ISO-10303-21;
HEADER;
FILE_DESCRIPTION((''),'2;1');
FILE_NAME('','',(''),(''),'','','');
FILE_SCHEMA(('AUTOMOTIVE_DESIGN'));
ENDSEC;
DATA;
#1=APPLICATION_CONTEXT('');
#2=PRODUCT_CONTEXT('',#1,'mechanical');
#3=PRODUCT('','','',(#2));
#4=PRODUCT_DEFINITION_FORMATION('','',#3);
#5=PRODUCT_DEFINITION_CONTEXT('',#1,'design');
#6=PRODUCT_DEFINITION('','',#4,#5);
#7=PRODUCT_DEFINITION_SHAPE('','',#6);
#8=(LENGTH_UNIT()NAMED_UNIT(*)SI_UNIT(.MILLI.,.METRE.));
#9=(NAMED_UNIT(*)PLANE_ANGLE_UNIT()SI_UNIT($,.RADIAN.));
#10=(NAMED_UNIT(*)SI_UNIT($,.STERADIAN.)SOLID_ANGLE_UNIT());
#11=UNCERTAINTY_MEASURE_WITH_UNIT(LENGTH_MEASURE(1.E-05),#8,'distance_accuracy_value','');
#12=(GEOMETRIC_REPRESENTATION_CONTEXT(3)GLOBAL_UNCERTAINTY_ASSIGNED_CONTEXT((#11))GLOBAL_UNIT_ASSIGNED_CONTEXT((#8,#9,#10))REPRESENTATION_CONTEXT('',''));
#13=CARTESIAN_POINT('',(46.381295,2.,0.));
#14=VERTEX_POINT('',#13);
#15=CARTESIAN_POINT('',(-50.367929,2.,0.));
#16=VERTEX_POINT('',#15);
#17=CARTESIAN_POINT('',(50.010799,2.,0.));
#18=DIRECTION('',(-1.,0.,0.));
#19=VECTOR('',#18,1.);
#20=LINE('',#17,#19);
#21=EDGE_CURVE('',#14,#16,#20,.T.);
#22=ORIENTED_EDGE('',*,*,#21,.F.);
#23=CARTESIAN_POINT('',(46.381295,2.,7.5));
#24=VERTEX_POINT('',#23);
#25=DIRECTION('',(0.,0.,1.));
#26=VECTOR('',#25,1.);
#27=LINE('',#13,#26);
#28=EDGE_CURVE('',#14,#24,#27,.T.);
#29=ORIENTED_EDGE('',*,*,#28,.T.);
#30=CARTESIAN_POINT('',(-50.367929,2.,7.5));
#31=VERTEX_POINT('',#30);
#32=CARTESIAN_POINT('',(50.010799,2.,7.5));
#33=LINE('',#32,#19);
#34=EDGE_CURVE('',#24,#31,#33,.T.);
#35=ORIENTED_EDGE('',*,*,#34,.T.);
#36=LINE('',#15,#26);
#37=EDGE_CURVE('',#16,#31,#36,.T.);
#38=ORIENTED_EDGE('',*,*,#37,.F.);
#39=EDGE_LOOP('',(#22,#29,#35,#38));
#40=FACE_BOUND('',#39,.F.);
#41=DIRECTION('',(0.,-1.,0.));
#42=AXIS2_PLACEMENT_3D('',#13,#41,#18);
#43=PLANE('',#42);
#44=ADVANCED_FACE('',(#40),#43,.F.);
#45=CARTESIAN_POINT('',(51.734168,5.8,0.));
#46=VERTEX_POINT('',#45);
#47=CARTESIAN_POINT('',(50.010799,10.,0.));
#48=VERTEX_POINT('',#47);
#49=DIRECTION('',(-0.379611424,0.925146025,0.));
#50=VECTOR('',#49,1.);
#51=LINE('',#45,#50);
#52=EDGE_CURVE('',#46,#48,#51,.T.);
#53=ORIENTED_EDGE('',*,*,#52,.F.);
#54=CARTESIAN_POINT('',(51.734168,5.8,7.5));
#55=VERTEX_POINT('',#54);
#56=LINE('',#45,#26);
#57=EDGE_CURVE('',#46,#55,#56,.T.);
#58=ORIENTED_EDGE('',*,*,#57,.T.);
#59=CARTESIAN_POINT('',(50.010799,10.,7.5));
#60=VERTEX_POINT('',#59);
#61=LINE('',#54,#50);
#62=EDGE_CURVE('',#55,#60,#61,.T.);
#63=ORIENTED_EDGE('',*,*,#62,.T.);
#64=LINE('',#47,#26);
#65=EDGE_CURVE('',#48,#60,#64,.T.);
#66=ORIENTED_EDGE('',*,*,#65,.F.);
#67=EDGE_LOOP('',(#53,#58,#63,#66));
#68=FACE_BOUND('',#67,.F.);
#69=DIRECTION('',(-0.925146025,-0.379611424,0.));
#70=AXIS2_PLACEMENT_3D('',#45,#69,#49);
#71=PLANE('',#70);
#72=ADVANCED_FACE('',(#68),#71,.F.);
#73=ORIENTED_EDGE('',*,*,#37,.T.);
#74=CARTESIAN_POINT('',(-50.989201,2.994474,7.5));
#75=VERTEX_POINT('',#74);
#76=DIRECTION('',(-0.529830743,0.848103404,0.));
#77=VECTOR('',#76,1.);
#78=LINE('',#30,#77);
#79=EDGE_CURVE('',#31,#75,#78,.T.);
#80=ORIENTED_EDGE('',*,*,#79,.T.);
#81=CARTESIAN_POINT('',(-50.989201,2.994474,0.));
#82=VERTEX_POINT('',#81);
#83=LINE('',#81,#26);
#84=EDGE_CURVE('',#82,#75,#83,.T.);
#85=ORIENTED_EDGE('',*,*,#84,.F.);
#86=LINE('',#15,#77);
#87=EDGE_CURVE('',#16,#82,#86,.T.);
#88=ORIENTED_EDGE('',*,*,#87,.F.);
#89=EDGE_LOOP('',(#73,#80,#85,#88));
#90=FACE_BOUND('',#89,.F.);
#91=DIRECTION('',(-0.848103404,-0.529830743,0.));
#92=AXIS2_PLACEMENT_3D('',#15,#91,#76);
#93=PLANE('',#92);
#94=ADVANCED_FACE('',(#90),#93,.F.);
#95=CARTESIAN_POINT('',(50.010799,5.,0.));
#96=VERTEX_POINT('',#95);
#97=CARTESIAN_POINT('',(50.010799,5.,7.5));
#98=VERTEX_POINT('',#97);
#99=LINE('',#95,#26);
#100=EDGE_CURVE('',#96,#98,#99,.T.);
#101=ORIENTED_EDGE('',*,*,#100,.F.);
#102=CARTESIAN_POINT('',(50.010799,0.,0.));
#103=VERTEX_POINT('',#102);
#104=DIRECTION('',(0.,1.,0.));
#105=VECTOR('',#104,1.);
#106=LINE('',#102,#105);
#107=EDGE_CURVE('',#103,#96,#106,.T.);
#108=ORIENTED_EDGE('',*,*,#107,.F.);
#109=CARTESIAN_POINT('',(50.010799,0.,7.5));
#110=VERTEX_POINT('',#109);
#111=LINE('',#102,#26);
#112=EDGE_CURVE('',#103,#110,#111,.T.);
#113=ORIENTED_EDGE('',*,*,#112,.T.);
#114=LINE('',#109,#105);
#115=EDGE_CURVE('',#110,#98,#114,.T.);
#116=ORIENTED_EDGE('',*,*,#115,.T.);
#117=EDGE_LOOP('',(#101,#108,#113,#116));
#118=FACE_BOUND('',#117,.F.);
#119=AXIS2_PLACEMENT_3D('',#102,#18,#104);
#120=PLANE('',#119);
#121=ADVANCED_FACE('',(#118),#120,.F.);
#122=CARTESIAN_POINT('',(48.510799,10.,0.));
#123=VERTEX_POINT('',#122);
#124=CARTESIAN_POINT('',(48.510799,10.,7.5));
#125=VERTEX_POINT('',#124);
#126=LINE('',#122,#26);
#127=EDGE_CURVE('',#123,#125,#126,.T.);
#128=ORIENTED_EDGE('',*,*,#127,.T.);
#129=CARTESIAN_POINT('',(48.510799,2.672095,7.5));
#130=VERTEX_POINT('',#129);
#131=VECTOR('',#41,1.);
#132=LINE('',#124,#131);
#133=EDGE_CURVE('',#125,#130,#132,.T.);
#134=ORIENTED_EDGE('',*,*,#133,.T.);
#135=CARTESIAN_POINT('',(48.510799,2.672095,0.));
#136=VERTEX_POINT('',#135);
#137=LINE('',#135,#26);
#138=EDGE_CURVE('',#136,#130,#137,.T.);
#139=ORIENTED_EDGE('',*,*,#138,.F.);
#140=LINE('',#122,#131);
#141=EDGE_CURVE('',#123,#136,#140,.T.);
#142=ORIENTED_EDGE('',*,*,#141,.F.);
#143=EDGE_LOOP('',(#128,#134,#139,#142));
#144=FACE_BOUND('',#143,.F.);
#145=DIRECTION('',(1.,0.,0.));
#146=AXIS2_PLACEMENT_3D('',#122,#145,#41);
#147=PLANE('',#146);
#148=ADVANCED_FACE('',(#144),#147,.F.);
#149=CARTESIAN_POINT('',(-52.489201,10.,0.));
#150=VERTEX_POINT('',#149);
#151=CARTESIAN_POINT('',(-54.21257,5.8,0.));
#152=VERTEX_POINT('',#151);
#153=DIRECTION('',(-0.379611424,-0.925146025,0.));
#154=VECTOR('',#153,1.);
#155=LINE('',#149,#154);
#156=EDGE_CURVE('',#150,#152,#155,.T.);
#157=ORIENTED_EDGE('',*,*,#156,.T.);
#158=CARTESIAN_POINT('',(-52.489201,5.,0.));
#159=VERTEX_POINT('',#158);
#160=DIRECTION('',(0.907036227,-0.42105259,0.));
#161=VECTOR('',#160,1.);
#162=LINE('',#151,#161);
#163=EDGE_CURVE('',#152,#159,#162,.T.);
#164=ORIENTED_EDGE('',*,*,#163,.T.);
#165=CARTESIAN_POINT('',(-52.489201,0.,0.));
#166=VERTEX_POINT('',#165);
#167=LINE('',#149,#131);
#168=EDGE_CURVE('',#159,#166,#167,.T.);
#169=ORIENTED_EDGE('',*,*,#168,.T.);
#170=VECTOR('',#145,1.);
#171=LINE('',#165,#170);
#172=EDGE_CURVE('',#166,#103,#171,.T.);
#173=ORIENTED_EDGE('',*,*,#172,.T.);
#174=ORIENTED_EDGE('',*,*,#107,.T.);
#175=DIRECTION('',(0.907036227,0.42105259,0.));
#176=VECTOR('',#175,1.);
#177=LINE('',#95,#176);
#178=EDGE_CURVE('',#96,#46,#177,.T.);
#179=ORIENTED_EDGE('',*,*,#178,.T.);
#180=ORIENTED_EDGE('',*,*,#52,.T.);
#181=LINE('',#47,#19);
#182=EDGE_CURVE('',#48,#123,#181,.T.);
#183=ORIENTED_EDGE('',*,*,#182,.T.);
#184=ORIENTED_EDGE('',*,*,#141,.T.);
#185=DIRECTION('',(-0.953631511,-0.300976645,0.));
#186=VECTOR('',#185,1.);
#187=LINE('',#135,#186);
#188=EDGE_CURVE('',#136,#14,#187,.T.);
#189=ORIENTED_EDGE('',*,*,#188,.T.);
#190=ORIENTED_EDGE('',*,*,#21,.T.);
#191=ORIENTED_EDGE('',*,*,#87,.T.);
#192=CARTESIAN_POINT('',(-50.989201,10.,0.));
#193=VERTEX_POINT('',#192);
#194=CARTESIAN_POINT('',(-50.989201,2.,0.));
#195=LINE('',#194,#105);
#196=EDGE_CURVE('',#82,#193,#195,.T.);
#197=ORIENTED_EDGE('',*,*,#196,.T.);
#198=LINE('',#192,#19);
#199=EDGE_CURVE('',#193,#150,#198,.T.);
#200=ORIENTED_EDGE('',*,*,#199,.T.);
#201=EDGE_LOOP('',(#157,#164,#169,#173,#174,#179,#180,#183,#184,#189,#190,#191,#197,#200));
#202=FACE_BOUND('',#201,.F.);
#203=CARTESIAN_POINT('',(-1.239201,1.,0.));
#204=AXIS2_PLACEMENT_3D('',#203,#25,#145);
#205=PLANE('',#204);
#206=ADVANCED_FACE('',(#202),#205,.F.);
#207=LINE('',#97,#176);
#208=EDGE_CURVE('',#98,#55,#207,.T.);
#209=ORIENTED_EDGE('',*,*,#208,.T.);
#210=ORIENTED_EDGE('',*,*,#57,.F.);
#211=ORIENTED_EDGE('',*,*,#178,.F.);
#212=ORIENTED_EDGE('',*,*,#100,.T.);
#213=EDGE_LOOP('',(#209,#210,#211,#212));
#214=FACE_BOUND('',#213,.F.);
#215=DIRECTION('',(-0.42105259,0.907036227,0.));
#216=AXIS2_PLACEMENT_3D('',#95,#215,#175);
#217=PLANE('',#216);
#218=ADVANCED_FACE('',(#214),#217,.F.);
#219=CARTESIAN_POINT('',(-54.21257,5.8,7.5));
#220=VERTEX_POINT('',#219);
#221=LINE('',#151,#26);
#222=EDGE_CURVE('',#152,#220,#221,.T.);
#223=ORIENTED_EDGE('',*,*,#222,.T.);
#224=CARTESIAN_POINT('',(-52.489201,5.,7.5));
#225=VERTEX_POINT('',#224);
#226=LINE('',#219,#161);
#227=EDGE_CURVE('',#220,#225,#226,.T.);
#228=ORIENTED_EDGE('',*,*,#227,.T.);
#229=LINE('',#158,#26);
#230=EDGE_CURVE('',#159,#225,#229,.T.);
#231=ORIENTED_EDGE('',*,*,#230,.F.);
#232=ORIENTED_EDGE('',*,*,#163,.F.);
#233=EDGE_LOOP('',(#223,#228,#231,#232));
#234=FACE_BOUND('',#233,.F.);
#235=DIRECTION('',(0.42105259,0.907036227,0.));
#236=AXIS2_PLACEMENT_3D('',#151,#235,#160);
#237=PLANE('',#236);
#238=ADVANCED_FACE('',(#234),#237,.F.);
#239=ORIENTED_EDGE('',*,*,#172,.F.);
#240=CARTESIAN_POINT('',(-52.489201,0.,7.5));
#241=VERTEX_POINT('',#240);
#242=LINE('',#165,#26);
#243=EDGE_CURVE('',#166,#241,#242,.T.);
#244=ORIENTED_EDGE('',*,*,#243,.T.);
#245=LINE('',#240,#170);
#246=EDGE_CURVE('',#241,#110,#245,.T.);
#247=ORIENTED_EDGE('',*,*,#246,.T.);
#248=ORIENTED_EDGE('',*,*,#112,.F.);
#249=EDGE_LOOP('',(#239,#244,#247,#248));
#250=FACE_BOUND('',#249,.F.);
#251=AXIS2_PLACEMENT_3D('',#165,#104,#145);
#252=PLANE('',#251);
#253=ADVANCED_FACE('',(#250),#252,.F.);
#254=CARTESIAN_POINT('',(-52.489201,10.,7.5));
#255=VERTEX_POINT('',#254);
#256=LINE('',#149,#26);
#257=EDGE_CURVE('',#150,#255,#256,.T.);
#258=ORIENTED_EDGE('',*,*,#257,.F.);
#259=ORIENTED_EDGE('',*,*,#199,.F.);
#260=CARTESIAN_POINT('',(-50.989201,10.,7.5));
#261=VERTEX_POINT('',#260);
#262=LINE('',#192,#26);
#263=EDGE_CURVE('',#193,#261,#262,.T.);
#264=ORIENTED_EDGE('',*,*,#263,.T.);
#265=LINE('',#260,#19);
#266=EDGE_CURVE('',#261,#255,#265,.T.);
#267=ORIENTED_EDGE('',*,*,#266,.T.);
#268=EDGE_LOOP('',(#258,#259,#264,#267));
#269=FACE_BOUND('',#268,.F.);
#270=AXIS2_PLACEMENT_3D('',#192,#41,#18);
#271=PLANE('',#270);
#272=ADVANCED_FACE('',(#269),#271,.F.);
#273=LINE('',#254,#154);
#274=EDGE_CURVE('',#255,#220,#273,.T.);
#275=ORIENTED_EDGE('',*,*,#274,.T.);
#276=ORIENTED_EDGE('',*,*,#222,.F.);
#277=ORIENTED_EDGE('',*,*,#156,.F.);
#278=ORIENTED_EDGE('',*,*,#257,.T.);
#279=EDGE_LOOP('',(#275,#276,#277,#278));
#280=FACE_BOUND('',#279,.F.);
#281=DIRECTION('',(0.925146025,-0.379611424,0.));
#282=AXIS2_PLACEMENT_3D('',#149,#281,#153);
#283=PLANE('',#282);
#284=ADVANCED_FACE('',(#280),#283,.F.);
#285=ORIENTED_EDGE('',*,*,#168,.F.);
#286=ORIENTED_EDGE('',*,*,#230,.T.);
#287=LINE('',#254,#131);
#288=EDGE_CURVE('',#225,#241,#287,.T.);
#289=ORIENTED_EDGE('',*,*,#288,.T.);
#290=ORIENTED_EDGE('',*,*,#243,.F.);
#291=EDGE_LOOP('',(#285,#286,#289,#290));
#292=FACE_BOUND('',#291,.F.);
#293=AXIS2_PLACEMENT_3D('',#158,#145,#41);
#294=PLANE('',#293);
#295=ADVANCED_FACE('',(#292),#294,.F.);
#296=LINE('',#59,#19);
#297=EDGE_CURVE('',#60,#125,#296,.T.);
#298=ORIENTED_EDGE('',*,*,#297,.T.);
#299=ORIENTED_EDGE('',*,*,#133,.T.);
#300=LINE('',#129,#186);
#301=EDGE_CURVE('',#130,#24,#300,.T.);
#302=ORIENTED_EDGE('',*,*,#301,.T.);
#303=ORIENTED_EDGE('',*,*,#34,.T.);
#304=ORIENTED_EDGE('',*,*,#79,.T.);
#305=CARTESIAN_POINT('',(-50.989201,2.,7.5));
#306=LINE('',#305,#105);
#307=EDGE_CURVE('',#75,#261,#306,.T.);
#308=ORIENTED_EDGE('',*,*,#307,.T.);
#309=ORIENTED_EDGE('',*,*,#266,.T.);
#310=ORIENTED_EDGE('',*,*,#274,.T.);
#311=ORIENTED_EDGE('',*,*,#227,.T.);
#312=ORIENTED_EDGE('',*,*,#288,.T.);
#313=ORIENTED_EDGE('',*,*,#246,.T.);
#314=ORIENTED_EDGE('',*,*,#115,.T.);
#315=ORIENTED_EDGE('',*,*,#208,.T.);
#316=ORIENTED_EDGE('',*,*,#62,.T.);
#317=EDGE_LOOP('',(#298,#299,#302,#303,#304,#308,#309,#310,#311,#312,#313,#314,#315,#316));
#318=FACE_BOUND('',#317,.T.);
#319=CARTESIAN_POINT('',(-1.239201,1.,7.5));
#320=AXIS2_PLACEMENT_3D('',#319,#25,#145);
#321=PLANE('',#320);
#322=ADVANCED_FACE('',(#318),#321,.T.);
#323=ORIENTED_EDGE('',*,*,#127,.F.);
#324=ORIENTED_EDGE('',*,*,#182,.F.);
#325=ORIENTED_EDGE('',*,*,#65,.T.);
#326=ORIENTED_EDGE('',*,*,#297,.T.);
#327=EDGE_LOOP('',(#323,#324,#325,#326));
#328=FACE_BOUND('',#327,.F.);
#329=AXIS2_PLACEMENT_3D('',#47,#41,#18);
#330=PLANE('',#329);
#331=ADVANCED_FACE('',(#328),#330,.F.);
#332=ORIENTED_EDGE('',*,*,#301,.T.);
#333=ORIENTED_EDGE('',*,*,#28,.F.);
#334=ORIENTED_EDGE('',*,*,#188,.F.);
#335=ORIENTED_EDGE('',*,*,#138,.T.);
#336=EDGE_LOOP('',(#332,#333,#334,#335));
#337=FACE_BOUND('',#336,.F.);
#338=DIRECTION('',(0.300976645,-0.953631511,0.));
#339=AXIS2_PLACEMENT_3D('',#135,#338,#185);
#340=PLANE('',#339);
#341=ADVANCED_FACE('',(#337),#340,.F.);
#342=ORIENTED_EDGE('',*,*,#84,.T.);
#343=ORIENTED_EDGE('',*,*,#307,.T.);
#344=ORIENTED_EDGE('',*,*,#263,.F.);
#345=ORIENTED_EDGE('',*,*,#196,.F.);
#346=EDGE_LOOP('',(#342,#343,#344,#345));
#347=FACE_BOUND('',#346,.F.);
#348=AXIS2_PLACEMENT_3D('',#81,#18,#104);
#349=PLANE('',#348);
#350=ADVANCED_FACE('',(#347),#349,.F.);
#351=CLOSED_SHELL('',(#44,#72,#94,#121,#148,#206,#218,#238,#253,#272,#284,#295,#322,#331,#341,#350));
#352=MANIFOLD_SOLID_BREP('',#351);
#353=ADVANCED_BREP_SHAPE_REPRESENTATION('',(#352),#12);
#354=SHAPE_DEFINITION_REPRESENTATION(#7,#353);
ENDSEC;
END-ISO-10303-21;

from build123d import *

# Parameters (mm, degrees)
F1_DEPTH = 7.5


with BuildPart() as f1:
    # F0 (on Top) → F1 (new body)
    with BuildSketch(Plane.XY):
        Polygon((-50.989201, 2), (-52.489201, 2), (-52.489201, 0), (50.010799, 0), (50.010799, 2), (48.510799, 2), (46.381295, 2), (-50.367929, 2), align=None)
        Polygon((48.510799, 2), (50.010799, 2), (50.010799, 5), (50.010799, 10), (48.510799, 10), (48.510799, 2.672095), align=None)
        Polygon((48.510799, 2.672095), (46.381295, 2), (48.510799, 2), align=None)
        Polygon((-52.489201, 5), (-52.489201, 2), (-50.989201, 2), (-50.989201, 2.994474), (-50.989201, 10), (-52.489201, 10), align=None)
        Polygon((50.010799, 10), (50.010799, 5), (51.734168, 5.8), align=None)
        Polygon((-54.21257, 5.8), (-52.489201, 5), (-52.489201, 10), align=None)
        Polygon((-50.989201, 2.994474), (-50.989201, 2), (-50.367929, 2), align=None)
    extrude(amount=F1_DEPTH)


solid = f1.part
